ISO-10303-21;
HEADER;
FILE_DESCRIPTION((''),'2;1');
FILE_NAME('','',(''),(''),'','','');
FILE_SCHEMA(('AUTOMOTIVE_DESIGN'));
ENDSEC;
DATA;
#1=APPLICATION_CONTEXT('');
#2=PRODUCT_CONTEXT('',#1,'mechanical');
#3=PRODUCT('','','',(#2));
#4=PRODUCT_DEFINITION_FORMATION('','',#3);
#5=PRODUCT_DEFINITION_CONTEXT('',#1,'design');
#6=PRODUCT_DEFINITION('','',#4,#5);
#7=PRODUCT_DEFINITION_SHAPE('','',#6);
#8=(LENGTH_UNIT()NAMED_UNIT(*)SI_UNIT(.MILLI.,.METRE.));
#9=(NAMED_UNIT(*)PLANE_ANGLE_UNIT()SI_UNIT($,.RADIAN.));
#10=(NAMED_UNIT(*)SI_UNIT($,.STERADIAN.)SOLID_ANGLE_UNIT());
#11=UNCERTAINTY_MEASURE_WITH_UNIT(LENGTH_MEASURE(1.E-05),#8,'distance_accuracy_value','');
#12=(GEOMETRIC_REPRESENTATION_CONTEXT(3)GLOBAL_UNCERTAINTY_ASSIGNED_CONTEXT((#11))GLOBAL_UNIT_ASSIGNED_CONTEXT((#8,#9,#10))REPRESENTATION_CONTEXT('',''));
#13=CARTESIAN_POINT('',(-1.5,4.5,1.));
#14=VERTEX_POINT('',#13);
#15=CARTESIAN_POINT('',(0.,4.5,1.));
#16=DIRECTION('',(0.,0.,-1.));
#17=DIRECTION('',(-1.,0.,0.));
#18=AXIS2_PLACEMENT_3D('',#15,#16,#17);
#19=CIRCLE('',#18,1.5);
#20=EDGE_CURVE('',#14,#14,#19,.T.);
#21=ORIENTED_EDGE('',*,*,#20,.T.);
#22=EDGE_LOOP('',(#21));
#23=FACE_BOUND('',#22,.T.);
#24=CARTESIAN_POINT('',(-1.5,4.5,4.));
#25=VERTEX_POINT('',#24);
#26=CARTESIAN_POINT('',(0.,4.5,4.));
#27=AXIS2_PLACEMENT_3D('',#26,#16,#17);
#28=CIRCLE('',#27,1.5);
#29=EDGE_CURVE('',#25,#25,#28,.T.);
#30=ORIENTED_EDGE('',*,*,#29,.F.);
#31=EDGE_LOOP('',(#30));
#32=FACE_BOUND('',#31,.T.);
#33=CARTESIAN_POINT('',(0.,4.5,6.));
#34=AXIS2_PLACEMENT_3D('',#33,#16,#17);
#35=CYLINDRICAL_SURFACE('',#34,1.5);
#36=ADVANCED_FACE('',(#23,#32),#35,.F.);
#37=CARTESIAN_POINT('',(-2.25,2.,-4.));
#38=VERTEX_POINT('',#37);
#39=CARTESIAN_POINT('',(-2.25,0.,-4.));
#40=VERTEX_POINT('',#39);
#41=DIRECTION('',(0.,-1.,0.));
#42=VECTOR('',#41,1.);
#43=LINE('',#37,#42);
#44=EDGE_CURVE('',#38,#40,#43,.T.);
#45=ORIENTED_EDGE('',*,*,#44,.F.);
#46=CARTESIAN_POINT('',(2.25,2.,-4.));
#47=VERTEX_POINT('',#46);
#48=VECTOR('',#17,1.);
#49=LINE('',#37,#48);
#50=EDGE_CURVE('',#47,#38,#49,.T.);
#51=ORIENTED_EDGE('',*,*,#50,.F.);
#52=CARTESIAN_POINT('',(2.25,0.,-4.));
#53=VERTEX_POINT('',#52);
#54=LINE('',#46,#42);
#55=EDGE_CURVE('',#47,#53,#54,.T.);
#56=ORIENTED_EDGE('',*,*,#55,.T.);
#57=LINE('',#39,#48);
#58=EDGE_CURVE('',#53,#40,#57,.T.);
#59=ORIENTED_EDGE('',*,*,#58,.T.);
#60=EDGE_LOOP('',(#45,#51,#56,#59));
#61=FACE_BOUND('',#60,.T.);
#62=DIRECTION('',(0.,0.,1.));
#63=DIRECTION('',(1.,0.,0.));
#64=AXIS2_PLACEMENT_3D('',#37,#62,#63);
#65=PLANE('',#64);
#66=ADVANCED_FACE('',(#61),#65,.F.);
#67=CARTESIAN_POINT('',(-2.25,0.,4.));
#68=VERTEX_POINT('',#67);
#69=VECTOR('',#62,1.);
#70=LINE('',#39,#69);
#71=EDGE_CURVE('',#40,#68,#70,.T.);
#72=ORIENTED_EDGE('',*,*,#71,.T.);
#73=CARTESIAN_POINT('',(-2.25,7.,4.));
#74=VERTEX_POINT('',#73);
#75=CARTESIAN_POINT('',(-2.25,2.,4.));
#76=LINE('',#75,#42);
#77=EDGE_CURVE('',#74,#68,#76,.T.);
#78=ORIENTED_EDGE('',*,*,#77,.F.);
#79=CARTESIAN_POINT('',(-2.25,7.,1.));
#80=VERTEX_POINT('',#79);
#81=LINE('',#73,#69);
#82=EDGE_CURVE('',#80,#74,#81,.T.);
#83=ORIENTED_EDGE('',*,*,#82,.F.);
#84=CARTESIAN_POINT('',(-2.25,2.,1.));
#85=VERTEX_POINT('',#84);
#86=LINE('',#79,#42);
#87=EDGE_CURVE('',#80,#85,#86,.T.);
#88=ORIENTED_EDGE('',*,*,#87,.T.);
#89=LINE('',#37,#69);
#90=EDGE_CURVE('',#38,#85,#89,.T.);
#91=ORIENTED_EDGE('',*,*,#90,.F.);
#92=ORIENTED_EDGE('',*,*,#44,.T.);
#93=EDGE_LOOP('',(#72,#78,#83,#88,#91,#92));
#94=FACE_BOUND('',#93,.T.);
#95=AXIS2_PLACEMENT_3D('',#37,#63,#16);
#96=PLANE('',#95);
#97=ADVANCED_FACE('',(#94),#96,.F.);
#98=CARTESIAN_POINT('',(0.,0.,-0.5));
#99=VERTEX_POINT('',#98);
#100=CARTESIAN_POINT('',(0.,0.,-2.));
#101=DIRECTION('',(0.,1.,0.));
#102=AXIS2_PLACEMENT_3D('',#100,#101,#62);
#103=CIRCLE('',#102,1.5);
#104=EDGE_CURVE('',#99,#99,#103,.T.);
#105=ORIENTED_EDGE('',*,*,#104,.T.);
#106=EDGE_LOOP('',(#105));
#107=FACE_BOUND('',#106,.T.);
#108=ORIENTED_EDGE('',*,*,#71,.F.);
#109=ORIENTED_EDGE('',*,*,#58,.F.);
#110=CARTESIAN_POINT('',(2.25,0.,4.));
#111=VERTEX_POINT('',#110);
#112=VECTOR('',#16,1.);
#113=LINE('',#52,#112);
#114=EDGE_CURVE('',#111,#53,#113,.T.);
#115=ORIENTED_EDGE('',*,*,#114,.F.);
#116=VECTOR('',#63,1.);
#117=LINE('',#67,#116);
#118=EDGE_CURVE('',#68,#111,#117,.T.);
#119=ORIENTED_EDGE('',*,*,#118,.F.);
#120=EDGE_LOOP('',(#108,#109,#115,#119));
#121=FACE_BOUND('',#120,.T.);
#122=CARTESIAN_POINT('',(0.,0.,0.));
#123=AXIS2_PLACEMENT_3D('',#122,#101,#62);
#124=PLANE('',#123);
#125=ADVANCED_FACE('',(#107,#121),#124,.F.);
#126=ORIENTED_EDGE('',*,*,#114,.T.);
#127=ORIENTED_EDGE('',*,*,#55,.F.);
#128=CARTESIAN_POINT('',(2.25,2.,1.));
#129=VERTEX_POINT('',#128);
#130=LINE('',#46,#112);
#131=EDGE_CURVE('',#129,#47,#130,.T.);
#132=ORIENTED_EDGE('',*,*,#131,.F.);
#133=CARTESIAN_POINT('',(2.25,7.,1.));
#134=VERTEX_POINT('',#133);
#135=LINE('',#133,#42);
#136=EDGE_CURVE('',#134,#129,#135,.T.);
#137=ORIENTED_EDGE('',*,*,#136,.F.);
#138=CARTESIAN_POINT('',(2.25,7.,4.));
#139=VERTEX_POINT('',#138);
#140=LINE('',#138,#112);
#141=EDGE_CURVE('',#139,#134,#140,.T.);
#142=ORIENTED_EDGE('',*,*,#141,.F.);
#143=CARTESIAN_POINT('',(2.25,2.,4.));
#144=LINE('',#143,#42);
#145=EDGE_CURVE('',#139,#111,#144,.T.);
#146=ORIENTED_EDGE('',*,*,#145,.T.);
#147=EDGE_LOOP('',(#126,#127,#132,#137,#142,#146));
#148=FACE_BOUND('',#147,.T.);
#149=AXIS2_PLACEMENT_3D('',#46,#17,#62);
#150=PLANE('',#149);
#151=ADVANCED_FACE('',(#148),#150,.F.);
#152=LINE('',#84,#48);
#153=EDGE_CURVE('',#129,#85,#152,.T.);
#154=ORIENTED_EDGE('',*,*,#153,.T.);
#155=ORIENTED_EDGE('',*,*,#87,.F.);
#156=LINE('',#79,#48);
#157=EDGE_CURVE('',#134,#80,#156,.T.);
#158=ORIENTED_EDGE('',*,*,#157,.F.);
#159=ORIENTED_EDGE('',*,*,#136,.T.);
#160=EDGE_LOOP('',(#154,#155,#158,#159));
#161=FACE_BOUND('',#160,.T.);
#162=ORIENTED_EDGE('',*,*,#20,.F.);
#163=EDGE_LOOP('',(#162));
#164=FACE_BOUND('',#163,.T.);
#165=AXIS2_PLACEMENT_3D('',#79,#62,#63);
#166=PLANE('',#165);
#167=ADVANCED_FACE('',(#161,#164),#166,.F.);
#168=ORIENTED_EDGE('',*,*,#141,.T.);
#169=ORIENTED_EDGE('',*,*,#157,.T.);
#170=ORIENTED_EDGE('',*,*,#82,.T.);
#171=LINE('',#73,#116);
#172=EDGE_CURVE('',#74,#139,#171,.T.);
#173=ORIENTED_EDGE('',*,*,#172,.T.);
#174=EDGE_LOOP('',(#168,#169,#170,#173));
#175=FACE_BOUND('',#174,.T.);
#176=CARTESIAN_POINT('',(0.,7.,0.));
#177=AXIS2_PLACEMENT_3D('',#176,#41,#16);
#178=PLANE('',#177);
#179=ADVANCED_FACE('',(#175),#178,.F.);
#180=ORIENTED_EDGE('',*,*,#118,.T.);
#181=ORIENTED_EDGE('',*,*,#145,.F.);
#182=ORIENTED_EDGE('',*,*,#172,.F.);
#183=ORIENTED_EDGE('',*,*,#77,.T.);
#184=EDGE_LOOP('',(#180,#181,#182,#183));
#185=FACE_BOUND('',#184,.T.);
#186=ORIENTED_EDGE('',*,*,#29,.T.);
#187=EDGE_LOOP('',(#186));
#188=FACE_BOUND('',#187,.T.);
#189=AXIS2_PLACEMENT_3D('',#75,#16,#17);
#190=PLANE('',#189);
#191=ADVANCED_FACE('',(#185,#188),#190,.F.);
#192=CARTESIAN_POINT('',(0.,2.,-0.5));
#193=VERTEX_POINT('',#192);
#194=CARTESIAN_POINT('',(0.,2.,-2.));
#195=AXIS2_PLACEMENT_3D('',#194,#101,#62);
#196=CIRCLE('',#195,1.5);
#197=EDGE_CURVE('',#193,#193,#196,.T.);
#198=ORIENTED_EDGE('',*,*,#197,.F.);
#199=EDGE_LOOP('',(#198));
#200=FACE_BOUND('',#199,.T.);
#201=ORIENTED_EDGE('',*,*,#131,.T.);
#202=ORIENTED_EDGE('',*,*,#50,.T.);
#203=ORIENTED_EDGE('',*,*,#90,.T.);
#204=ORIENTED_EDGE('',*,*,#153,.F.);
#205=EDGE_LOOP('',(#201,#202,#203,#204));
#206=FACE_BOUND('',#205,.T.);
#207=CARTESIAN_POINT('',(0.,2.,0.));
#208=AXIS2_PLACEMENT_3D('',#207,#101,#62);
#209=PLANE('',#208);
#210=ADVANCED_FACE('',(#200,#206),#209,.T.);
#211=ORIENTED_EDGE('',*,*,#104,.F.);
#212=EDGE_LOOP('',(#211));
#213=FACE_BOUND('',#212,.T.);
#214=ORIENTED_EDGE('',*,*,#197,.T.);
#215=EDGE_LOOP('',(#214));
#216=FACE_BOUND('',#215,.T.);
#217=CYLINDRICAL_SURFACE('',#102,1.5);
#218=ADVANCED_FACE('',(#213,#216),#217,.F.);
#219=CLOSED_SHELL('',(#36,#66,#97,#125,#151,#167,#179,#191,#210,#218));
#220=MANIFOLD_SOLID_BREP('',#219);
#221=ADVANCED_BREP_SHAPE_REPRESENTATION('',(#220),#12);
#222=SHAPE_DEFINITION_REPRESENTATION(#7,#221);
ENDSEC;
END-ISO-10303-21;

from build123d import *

# Parameters (mm, degrees)
SKETCH1_W           = 4.5
SKETCH1_H           = 8
BOSS_EXTRUDE1_DEPTH = 2
SKETCH2_R           = 1.5
CUT_EXTRUDE1_DEPTH  = 2
SKETCH3_W           = 4.5
SKETCH3_H           = 3
BOSS_EXTRUDE2_DEPTH = 5
SKETCH4_R           = 1.5
CUT_EXTRUDE2_DEPTH  = 5


with BuildPart() as part:
    # Sketch1 → Boss-Extrude1 (new body)
    with BuildSketch(Plane(origin=(0, 0, 0), x_dir=(1, 0, 0), z_dir=(0, 1, 0))):
        Rectangle(SKETCH1_W, SKETCH1_H)
    extrude(amount=BOSS_EXTRUDE1_DEPTH)

    # Sketch2 → Cut-Extrude1 (cut)
    with BuildSketch(Plane(origin=(0, 2, 0), x_dir=(1, 0, 0), z_dir=(0, 1, 0))):
        with Locations(Location((0, 2, 0), (0, 0, 270))):
            Circle(SKETCH2_R)
    extrude(amount=-CUT_EXTRUDE1_DEPTH, mode=Mode.SUBTRACT)

    # Sketch3 → Boss-Extrude2 (add)
    with BuildSketch(Plane(origin=(0, 2, 0), x_dir=(1, 0, 0), z_dir=(0, 1, 0))):
        with Locations((0, -2.5)):
            Rectangle(SKETCH3_W, SKETCH3_H)
    extrude(amount=BOSS_EXTRUDE2_DEPTH)

    # Sketch4 → Cut-Extrude2 (cut)
    with BuildSketch(Plane(origin=(0, 0, 1), x_dir=(-1, 0, 0), z_dir=(0, 0, -1))):
        with Locations((0, 4.5)):
            Circle(SKETCH4_R)
    extrude(amount=-CUT_EXTRUDE2_DEPTH, mode=Mode.SUBTRACT)


solid = part.part
